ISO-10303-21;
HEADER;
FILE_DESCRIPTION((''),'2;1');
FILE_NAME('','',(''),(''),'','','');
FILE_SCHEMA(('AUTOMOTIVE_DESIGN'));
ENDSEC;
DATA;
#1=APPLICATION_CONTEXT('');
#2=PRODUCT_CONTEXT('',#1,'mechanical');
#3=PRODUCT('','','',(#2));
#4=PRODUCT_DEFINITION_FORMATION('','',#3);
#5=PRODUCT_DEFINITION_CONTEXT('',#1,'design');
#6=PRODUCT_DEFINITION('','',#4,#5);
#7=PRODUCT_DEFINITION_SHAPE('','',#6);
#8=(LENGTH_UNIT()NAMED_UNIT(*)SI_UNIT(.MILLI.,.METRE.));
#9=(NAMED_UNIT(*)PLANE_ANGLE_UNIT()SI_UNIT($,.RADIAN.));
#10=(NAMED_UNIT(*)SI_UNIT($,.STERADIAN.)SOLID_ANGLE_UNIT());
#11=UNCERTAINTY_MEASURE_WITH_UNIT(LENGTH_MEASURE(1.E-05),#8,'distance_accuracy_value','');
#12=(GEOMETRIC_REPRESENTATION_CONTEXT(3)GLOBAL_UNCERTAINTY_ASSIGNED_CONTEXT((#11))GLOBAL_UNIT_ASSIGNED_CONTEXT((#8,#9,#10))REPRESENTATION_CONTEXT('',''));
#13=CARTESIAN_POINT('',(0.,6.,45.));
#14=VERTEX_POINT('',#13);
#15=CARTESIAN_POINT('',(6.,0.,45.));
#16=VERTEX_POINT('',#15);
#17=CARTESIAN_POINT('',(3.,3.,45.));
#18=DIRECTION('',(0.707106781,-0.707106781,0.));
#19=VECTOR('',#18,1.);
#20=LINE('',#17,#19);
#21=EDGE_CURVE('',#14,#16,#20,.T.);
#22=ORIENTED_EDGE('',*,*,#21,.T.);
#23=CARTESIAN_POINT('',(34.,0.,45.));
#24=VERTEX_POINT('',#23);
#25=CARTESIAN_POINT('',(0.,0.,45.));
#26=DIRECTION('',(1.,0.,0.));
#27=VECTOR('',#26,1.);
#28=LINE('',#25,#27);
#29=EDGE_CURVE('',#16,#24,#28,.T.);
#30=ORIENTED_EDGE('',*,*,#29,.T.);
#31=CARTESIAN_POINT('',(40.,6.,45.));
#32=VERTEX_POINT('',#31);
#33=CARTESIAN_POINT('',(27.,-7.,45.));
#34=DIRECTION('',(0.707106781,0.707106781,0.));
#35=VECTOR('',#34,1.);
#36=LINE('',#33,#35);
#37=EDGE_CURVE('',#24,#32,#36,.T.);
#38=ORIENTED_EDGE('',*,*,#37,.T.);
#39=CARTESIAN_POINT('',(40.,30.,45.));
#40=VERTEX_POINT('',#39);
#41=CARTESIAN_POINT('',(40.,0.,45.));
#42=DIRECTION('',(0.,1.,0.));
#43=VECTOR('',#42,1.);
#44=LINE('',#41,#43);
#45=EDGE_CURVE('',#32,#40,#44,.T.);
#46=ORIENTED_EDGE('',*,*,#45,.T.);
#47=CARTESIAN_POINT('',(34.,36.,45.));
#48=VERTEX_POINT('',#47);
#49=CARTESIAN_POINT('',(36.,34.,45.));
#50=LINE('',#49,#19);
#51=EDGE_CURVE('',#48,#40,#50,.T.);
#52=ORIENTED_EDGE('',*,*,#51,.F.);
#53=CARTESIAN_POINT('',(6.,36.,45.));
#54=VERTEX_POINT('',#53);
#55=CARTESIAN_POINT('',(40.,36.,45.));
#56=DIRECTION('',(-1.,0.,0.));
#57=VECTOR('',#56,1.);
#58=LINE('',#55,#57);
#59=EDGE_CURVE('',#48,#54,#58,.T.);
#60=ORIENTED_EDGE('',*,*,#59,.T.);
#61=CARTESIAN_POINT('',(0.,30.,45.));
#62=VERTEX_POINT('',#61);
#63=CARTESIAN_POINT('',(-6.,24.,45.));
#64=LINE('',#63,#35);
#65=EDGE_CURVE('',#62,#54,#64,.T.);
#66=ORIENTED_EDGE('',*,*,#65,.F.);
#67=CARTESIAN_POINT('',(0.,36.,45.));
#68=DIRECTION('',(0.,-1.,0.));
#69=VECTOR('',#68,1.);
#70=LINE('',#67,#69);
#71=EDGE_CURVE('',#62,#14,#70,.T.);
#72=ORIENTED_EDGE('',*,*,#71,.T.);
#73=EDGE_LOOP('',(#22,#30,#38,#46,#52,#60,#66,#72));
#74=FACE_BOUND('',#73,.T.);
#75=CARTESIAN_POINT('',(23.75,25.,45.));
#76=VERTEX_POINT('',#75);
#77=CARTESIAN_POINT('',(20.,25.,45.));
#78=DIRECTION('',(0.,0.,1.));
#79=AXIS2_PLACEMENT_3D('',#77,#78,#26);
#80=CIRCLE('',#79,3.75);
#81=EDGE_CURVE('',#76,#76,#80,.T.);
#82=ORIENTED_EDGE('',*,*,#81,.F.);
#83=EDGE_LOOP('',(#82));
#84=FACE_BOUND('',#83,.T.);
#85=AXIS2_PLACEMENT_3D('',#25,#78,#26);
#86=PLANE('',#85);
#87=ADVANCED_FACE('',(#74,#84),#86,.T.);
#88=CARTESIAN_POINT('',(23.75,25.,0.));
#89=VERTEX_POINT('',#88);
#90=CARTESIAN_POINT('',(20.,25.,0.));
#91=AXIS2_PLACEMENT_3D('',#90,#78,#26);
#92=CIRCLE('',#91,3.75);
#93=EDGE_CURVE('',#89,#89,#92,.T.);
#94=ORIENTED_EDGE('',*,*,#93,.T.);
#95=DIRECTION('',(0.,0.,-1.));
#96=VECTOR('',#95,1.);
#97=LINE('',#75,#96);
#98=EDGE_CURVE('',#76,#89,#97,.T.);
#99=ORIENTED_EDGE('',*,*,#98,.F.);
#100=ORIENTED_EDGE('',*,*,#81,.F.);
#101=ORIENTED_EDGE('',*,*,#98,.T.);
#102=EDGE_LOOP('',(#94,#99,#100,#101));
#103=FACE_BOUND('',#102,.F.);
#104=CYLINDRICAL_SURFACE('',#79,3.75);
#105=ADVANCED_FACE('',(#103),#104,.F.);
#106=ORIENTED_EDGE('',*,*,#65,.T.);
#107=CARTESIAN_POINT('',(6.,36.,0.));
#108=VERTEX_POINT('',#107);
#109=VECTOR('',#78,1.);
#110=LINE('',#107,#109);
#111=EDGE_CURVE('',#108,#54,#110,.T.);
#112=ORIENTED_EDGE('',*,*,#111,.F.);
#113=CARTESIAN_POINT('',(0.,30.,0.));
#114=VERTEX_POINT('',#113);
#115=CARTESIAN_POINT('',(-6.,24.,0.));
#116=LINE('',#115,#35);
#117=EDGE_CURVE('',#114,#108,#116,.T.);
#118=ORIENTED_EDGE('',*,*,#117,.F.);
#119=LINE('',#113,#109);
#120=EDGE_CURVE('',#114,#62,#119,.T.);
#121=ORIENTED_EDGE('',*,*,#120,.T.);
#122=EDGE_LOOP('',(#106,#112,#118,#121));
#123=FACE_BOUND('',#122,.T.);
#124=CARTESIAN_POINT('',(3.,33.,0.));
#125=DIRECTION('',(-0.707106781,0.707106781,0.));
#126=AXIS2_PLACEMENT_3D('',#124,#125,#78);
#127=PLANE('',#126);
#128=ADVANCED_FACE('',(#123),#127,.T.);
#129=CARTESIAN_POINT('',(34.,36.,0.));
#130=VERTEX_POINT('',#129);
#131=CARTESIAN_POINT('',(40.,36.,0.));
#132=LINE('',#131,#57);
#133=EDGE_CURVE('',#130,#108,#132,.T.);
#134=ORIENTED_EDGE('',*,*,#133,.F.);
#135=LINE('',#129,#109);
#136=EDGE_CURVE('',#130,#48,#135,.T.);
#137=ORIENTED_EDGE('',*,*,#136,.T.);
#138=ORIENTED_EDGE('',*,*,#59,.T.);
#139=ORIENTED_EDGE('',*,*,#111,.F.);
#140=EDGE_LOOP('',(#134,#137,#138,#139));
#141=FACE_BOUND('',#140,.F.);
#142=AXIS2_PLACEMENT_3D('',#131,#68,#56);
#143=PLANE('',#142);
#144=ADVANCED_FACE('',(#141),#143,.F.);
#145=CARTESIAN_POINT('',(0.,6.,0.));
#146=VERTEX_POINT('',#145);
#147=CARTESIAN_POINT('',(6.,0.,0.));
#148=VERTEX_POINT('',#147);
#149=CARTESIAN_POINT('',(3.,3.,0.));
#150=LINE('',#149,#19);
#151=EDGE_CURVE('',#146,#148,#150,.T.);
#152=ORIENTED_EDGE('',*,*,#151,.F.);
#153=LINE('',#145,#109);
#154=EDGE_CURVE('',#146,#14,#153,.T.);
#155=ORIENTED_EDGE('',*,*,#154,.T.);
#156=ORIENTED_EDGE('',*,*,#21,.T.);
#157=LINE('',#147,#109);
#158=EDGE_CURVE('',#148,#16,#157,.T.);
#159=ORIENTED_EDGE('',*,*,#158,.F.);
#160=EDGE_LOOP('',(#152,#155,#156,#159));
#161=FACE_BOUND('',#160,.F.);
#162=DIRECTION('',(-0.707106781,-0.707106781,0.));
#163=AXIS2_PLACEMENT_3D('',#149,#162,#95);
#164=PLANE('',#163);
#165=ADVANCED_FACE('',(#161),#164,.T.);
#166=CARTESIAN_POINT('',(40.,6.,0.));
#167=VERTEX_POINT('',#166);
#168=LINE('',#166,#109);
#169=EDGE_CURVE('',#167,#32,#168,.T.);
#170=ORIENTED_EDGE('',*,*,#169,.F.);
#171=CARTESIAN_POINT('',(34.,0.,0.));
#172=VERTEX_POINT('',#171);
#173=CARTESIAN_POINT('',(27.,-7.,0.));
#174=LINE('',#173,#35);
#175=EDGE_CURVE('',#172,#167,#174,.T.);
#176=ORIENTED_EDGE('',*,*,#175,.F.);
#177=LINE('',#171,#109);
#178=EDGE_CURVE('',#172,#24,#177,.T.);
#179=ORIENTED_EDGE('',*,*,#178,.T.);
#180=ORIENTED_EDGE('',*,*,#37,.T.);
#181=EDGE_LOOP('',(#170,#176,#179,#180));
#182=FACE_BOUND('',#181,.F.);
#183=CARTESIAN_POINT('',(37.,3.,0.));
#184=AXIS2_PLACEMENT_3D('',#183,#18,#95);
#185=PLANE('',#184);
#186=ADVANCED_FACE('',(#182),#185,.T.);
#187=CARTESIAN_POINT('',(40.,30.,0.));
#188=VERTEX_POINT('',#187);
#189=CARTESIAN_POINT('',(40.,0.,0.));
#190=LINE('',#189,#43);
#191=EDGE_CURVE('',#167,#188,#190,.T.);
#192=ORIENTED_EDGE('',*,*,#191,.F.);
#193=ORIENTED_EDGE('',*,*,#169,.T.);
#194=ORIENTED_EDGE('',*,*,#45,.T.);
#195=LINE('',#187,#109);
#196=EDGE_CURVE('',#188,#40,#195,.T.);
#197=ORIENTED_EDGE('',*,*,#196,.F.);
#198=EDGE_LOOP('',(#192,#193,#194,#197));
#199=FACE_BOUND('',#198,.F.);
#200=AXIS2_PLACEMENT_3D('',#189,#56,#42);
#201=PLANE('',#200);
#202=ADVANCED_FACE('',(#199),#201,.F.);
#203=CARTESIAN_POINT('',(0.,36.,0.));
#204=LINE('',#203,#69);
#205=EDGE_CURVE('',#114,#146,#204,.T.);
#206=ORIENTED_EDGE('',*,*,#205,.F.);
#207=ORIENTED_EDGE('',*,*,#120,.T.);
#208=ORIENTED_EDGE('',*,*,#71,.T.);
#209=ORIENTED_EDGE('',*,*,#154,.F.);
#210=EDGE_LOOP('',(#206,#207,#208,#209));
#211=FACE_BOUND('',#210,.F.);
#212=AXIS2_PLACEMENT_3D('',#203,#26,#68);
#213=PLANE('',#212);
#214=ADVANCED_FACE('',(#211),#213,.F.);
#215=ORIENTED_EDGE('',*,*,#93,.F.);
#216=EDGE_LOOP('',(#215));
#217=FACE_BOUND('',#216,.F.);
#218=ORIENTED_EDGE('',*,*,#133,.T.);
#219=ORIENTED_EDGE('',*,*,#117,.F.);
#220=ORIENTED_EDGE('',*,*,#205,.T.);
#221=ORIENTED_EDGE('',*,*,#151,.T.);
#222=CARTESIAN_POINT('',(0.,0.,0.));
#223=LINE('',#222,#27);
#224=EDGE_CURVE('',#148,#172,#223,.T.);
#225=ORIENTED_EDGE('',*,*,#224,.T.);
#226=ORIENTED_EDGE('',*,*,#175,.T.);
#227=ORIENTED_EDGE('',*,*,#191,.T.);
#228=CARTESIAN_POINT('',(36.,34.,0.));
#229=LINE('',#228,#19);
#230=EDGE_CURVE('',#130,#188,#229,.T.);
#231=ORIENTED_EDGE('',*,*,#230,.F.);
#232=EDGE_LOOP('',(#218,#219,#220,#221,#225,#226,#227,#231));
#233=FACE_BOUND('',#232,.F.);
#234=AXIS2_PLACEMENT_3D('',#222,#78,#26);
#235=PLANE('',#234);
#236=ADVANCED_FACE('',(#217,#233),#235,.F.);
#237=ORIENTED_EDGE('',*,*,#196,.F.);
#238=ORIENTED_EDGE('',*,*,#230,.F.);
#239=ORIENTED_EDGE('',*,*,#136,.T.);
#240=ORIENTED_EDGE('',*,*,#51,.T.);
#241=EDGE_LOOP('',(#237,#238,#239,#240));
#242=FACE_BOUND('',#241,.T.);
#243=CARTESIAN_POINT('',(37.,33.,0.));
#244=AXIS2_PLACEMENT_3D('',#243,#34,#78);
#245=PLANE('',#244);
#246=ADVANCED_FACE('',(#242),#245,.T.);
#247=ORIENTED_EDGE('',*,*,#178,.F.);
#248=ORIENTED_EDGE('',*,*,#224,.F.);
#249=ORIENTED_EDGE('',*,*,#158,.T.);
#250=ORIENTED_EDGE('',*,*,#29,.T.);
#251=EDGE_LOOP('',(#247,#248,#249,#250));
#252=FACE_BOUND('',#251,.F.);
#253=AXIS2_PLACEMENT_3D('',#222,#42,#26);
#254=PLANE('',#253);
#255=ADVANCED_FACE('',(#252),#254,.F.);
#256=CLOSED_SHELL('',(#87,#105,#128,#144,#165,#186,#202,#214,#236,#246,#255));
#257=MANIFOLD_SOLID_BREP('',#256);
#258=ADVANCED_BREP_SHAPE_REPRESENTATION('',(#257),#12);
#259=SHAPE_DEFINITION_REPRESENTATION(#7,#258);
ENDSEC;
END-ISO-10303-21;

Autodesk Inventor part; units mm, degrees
ref_plane "YZ Plane" through (0, 0, 0) normal (1, 0, 0) x (0, 1, 0)
ref_plane "XZ Plane" through (0, 0, 0) normal (0, 1, 0) x (-1, 0, 0)
ref_plane "XY Plane" through (0, 0, 0) normal (0, 0, 1) x (1, 0, 0)
sketch "Sketch1" plane through (0, 0, 0) normal (0, 0, 1) x (1, 0, 0)
  line L0 (0, 0) -> (40, 0)
  line L1 (40, 0) -> (40, 36)
  line L2 (40, 36) -> (0, 36)
  line L3 (0, 36) -> (0, 0)
  dimension "d0" = 40
  dimension "d1" = 36
extrude "Extrusion1" add sketch "Sketch1" along normal blind 45
sketch "Sketch2" plane through (0, 0, 45) normal (0, 0, 1) x (1, 0, 0)
  circle A0 centre (20, 25) radius 3.75
  line L0 (0, 0) -> (40, 0) projected
  dimension "d4" = 7.5
  dimension "d7" = 25
extrude "Extrusion2" cut sketch "Sketch2" against normal through all
chamfer "Chamfer1" distance 6 angle 45 4 edges at (40, 36, 22.5) (40, 0, 22.5) (0, 36, 22.5) (0, 0, 22.5)
properties part number "5cm block"
